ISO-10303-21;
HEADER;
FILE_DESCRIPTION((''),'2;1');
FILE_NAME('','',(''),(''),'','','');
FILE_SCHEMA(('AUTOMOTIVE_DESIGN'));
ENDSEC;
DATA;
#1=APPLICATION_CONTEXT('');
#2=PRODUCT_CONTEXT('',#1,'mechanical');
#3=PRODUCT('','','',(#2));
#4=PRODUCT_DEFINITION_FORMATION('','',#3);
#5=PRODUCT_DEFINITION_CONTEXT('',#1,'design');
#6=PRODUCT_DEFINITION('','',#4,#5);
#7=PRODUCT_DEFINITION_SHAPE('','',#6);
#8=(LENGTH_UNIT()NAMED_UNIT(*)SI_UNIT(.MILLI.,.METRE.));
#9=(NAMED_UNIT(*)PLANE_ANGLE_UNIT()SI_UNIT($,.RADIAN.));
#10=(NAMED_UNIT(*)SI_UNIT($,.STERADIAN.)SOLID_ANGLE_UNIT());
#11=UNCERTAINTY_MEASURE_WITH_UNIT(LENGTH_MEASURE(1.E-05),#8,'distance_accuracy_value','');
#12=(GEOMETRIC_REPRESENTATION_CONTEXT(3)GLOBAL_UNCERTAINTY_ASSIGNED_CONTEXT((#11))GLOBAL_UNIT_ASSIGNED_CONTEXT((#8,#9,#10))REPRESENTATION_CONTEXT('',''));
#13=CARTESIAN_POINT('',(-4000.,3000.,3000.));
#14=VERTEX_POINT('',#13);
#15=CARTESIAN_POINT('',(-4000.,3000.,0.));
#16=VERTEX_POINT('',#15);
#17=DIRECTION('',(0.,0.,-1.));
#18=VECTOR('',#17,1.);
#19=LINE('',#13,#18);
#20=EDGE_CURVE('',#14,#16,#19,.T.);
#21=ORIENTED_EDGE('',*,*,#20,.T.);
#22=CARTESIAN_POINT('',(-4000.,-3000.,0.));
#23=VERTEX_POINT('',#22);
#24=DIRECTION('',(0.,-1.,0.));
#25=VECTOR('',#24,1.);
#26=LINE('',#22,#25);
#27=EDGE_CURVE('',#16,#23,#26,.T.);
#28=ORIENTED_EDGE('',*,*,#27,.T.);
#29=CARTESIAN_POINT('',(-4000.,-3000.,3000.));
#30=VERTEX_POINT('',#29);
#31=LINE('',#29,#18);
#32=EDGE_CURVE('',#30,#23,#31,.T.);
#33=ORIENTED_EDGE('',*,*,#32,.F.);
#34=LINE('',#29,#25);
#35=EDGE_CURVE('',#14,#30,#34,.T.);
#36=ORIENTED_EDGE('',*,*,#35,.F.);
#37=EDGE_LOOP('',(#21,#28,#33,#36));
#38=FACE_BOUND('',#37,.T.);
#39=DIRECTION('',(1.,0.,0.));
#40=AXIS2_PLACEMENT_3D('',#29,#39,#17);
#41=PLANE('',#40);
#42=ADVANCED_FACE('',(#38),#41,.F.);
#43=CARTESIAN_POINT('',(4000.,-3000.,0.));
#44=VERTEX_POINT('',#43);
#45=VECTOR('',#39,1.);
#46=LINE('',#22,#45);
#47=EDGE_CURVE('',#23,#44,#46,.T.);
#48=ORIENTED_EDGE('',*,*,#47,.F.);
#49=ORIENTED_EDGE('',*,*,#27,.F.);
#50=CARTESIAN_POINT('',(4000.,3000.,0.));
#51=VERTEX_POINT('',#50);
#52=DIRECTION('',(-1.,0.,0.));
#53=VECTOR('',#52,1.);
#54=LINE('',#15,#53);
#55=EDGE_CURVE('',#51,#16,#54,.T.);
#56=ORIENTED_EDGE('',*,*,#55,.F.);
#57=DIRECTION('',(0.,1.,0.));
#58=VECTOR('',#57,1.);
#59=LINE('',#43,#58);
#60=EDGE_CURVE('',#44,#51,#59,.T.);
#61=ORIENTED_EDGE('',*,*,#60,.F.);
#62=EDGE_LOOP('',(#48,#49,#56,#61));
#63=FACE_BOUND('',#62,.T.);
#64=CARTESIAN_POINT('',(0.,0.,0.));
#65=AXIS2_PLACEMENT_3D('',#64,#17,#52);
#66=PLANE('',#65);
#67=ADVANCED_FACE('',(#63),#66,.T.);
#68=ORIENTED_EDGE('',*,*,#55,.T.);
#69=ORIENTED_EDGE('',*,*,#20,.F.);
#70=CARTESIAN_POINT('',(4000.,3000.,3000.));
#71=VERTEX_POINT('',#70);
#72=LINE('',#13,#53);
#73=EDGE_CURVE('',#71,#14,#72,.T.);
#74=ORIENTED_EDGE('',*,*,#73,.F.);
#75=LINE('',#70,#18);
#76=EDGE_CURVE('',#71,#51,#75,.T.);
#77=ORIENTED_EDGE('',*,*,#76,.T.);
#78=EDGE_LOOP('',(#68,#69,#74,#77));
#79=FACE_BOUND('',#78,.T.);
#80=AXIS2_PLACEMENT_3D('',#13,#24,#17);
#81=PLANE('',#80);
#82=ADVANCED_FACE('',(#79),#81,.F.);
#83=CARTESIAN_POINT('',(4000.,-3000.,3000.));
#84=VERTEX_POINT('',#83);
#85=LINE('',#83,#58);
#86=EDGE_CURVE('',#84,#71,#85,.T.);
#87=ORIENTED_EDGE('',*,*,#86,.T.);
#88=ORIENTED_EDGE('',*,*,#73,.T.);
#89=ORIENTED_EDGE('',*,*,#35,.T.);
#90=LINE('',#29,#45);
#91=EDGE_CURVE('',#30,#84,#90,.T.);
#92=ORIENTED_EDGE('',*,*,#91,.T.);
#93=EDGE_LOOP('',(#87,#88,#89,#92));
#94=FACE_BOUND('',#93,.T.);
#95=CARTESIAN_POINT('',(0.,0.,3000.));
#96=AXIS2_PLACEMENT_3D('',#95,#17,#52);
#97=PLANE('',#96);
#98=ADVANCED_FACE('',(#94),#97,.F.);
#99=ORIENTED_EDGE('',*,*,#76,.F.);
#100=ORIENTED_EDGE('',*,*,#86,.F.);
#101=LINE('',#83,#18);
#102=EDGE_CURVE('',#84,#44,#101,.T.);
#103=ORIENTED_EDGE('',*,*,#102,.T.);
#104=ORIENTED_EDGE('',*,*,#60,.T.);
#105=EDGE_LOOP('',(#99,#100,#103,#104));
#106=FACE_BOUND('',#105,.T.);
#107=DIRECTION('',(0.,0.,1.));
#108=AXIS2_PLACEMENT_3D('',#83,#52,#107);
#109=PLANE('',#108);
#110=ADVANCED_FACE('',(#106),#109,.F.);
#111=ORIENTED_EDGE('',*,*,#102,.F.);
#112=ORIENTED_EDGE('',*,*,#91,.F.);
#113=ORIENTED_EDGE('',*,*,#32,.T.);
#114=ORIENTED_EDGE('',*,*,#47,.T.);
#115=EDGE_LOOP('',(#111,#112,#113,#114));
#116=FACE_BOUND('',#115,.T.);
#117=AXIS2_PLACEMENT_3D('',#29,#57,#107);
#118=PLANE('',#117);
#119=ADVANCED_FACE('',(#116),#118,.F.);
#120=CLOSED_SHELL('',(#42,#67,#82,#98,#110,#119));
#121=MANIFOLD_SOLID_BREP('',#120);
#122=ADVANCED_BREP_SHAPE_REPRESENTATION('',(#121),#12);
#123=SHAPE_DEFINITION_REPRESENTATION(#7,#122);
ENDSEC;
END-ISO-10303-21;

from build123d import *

# Parameters (mm, degrees)
SKETCH_1_W      = 8000
SKETCH_1_H      = 6000
EXTRUDE_1_DEPTH = 3000


with BuildPart() as part:
    # 草图1 → 凸台-拉伸1 (new body)
    with BuildSketch(Plane.XY):
        Rectangle(SKETCH_1_W, SKETCH_1_H)
    extrude(amount=EXTRUDE_1_DEPTH)


solid = part.part
